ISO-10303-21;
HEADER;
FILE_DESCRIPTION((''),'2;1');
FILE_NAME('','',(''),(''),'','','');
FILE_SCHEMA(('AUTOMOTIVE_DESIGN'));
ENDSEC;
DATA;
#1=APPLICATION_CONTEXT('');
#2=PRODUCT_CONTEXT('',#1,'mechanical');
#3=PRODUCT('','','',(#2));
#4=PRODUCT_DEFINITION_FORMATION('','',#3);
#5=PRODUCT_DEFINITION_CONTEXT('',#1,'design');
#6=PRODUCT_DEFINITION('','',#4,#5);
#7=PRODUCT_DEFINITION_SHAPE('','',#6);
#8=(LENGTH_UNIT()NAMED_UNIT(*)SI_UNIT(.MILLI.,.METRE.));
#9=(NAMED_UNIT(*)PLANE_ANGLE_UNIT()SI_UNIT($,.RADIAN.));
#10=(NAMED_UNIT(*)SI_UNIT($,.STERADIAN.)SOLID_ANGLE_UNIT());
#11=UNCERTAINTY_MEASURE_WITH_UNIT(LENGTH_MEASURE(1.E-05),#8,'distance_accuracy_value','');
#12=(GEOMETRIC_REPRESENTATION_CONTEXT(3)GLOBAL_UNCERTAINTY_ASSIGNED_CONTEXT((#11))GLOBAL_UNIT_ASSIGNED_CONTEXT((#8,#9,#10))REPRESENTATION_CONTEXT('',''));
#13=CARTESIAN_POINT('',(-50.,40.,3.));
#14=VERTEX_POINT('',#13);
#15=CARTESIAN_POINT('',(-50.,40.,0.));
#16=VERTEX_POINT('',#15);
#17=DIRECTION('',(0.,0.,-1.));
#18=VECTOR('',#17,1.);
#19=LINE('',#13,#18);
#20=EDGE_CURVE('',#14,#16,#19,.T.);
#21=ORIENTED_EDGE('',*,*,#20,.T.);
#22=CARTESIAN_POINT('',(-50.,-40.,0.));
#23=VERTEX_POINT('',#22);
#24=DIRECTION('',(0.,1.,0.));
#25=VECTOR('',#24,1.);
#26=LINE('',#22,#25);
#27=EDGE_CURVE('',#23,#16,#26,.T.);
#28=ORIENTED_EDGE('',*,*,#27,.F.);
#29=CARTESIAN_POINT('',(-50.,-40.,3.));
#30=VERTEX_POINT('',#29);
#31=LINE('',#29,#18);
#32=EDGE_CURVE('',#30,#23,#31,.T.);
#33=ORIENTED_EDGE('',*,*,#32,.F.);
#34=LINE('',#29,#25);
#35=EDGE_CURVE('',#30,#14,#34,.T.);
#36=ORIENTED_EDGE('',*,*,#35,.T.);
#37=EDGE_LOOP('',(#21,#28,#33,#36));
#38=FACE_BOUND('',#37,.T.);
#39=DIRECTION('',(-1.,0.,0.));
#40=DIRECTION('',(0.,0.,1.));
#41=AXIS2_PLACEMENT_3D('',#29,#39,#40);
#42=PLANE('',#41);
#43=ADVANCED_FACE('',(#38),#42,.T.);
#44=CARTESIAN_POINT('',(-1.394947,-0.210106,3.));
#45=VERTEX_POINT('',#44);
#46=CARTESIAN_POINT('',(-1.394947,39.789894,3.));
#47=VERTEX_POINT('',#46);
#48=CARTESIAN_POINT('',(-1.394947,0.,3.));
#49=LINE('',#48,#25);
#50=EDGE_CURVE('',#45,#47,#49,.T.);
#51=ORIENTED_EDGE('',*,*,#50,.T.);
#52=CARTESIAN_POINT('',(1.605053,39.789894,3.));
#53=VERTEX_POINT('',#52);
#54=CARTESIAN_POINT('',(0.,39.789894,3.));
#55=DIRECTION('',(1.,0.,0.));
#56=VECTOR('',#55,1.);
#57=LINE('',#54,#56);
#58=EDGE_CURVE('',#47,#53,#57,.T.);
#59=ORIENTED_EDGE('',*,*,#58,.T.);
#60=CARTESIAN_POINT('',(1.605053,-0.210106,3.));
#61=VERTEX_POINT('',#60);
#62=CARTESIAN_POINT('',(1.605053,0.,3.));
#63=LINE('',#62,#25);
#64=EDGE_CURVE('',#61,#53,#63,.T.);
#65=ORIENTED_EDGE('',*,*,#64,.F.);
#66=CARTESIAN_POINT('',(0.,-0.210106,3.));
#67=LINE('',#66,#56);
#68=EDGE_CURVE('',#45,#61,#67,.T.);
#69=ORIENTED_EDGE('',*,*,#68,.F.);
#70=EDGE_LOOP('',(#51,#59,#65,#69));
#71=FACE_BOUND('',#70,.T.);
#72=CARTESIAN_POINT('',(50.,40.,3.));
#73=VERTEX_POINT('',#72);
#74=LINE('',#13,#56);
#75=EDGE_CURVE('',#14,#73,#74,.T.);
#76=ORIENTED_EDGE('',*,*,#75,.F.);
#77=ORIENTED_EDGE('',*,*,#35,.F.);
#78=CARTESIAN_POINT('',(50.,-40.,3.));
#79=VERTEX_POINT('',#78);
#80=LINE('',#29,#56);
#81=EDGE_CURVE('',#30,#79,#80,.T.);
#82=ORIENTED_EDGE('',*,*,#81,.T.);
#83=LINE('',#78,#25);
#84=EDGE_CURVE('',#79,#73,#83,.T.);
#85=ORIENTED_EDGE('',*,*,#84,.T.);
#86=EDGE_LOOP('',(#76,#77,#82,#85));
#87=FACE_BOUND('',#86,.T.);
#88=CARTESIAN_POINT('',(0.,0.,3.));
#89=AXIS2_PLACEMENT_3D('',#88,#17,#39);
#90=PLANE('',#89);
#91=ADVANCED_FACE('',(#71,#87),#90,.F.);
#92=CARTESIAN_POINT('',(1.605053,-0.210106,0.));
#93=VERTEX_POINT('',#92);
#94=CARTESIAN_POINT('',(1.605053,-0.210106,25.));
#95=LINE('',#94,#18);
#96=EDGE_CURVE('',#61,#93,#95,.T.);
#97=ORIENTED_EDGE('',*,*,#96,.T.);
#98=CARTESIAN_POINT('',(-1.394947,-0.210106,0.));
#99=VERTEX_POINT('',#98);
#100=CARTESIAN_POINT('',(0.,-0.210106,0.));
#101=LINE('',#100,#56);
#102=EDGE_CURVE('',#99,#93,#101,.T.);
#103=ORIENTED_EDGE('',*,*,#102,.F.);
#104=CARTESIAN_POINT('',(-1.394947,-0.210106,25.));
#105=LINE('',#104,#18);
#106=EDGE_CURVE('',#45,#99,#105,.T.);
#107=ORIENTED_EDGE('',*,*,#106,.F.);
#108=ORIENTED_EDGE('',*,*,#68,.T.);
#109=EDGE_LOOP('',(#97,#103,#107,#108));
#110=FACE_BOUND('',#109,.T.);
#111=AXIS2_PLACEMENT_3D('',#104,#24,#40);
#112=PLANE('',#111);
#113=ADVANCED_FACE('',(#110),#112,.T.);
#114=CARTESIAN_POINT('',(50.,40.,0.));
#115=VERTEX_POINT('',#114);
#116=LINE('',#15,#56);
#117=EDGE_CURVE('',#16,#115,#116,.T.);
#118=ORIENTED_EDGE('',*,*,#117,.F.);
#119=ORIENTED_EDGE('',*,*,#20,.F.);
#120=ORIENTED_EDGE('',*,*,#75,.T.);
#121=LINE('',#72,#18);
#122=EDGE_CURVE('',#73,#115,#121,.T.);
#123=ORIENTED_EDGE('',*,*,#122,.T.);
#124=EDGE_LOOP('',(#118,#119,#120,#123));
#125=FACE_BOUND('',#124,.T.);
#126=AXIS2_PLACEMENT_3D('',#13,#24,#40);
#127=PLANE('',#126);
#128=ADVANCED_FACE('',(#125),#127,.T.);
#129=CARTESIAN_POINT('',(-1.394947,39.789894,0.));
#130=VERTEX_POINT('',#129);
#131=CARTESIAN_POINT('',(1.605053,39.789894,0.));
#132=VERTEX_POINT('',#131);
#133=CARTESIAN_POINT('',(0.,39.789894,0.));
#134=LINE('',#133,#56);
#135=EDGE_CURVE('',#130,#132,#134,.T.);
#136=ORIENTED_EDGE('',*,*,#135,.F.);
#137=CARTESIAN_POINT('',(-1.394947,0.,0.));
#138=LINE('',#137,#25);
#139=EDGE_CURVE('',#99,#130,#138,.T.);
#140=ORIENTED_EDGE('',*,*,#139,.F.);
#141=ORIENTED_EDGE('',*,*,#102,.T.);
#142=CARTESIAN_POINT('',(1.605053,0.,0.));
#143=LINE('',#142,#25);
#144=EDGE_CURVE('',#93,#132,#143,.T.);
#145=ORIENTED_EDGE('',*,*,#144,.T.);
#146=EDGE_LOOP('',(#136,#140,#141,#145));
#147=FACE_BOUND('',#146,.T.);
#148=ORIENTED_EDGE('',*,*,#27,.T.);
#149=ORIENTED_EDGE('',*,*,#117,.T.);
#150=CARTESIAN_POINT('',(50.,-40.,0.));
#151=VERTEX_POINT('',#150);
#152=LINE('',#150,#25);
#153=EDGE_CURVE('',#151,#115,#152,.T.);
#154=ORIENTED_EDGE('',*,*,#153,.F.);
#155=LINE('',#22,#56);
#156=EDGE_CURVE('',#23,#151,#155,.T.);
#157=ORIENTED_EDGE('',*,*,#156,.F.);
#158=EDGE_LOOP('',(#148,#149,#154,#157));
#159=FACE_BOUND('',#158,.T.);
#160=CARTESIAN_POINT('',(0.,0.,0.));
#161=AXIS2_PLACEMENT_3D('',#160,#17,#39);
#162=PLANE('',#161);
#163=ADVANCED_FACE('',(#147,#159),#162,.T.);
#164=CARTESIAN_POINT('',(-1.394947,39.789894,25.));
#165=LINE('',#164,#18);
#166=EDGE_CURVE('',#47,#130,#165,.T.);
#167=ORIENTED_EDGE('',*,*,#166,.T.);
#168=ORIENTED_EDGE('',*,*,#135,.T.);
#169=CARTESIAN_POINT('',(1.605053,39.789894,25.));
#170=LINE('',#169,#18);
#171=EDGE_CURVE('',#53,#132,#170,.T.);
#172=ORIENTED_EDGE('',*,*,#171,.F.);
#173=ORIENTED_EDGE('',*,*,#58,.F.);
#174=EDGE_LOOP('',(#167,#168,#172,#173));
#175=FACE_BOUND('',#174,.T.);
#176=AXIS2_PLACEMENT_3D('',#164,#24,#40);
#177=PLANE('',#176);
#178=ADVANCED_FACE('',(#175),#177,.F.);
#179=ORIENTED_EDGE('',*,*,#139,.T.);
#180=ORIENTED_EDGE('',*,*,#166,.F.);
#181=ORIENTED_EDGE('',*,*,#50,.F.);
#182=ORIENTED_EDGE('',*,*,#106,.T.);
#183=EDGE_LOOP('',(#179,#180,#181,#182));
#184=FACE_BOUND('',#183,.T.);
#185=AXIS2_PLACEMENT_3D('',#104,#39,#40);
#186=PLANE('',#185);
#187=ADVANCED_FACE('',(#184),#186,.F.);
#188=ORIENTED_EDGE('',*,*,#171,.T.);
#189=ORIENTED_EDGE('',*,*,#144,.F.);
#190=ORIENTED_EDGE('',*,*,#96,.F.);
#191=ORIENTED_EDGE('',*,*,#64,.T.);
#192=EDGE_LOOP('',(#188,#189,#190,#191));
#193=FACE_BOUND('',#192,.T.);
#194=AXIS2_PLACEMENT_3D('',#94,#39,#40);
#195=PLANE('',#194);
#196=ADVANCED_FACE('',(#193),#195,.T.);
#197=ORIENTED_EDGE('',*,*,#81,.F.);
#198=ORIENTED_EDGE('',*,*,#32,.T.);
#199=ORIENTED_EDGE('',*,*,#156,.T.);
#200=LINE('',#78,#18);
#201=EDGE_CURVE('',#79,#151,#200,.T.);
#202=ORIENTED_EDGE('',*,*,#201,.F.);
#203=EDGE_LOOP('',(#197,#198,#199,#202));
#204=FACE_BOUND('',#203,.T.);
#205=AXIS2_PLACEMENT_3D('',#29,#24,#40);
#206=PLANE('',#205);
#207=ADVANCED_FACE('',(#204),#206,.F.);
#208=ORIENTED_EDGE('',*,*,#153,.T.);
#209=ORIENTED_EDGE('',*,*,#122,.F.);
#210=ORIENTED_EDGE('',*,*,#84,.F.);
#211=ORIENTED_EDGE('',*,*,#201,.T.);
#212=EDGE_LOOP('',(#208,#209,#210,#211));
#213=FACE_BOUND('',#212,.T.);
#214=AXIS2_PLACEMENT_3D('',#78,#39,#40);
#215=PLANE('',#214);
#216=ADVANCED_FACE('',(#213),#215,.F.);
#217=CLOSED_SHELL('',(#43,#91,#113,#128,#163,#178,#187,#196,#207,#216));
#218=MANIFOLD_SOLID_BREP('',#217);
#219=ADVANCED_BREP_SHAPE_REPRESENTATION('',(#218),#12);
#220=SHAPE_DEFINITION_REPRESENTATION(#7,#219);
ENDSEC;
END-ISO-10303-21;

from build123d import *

# Parameters (mm, degrees)
SKETCH1_W               = 100
SKETCH1_H               = 80
BOSS_EXTRUDE1_DEPTH     = 3
CUT_EXTRUDE1_DEPTH      = 22
CUT_EXTRUDE1_DEPTH_BACK = 13
SKETCH2_W               = 3
SKETCH2_H               = 40


with BuildPart() as part:
    # Sketch1 → Boss-Extrude1 (new body)
    with BuildSketch(Plane.XY):
        Rectangle(SKETCH1_W, SKETCH1_H)
    extrude(amount=BOSS_EXTRUDE1_DEPTH)

    # Sketch2 → Cut-Extrude1 (cut, two sides: drawn at the far end of the back side and taken through both)
    with BuildSketch(Plane.XY.offset(3).offset(-CUT_EXTRUDE1_DEPTH_BACK)):
        with Locations((0.105052813, 19.789894374)):
            Rectangle(SKETCH2_W, SKETCH2_H)
    extrude(amount=CUT_EXTRUDE1_DEPTH + CUT_EXTRUDE1_DEPTH_BACK, mode=Mode.SUBTRACT)


solid = part.part
